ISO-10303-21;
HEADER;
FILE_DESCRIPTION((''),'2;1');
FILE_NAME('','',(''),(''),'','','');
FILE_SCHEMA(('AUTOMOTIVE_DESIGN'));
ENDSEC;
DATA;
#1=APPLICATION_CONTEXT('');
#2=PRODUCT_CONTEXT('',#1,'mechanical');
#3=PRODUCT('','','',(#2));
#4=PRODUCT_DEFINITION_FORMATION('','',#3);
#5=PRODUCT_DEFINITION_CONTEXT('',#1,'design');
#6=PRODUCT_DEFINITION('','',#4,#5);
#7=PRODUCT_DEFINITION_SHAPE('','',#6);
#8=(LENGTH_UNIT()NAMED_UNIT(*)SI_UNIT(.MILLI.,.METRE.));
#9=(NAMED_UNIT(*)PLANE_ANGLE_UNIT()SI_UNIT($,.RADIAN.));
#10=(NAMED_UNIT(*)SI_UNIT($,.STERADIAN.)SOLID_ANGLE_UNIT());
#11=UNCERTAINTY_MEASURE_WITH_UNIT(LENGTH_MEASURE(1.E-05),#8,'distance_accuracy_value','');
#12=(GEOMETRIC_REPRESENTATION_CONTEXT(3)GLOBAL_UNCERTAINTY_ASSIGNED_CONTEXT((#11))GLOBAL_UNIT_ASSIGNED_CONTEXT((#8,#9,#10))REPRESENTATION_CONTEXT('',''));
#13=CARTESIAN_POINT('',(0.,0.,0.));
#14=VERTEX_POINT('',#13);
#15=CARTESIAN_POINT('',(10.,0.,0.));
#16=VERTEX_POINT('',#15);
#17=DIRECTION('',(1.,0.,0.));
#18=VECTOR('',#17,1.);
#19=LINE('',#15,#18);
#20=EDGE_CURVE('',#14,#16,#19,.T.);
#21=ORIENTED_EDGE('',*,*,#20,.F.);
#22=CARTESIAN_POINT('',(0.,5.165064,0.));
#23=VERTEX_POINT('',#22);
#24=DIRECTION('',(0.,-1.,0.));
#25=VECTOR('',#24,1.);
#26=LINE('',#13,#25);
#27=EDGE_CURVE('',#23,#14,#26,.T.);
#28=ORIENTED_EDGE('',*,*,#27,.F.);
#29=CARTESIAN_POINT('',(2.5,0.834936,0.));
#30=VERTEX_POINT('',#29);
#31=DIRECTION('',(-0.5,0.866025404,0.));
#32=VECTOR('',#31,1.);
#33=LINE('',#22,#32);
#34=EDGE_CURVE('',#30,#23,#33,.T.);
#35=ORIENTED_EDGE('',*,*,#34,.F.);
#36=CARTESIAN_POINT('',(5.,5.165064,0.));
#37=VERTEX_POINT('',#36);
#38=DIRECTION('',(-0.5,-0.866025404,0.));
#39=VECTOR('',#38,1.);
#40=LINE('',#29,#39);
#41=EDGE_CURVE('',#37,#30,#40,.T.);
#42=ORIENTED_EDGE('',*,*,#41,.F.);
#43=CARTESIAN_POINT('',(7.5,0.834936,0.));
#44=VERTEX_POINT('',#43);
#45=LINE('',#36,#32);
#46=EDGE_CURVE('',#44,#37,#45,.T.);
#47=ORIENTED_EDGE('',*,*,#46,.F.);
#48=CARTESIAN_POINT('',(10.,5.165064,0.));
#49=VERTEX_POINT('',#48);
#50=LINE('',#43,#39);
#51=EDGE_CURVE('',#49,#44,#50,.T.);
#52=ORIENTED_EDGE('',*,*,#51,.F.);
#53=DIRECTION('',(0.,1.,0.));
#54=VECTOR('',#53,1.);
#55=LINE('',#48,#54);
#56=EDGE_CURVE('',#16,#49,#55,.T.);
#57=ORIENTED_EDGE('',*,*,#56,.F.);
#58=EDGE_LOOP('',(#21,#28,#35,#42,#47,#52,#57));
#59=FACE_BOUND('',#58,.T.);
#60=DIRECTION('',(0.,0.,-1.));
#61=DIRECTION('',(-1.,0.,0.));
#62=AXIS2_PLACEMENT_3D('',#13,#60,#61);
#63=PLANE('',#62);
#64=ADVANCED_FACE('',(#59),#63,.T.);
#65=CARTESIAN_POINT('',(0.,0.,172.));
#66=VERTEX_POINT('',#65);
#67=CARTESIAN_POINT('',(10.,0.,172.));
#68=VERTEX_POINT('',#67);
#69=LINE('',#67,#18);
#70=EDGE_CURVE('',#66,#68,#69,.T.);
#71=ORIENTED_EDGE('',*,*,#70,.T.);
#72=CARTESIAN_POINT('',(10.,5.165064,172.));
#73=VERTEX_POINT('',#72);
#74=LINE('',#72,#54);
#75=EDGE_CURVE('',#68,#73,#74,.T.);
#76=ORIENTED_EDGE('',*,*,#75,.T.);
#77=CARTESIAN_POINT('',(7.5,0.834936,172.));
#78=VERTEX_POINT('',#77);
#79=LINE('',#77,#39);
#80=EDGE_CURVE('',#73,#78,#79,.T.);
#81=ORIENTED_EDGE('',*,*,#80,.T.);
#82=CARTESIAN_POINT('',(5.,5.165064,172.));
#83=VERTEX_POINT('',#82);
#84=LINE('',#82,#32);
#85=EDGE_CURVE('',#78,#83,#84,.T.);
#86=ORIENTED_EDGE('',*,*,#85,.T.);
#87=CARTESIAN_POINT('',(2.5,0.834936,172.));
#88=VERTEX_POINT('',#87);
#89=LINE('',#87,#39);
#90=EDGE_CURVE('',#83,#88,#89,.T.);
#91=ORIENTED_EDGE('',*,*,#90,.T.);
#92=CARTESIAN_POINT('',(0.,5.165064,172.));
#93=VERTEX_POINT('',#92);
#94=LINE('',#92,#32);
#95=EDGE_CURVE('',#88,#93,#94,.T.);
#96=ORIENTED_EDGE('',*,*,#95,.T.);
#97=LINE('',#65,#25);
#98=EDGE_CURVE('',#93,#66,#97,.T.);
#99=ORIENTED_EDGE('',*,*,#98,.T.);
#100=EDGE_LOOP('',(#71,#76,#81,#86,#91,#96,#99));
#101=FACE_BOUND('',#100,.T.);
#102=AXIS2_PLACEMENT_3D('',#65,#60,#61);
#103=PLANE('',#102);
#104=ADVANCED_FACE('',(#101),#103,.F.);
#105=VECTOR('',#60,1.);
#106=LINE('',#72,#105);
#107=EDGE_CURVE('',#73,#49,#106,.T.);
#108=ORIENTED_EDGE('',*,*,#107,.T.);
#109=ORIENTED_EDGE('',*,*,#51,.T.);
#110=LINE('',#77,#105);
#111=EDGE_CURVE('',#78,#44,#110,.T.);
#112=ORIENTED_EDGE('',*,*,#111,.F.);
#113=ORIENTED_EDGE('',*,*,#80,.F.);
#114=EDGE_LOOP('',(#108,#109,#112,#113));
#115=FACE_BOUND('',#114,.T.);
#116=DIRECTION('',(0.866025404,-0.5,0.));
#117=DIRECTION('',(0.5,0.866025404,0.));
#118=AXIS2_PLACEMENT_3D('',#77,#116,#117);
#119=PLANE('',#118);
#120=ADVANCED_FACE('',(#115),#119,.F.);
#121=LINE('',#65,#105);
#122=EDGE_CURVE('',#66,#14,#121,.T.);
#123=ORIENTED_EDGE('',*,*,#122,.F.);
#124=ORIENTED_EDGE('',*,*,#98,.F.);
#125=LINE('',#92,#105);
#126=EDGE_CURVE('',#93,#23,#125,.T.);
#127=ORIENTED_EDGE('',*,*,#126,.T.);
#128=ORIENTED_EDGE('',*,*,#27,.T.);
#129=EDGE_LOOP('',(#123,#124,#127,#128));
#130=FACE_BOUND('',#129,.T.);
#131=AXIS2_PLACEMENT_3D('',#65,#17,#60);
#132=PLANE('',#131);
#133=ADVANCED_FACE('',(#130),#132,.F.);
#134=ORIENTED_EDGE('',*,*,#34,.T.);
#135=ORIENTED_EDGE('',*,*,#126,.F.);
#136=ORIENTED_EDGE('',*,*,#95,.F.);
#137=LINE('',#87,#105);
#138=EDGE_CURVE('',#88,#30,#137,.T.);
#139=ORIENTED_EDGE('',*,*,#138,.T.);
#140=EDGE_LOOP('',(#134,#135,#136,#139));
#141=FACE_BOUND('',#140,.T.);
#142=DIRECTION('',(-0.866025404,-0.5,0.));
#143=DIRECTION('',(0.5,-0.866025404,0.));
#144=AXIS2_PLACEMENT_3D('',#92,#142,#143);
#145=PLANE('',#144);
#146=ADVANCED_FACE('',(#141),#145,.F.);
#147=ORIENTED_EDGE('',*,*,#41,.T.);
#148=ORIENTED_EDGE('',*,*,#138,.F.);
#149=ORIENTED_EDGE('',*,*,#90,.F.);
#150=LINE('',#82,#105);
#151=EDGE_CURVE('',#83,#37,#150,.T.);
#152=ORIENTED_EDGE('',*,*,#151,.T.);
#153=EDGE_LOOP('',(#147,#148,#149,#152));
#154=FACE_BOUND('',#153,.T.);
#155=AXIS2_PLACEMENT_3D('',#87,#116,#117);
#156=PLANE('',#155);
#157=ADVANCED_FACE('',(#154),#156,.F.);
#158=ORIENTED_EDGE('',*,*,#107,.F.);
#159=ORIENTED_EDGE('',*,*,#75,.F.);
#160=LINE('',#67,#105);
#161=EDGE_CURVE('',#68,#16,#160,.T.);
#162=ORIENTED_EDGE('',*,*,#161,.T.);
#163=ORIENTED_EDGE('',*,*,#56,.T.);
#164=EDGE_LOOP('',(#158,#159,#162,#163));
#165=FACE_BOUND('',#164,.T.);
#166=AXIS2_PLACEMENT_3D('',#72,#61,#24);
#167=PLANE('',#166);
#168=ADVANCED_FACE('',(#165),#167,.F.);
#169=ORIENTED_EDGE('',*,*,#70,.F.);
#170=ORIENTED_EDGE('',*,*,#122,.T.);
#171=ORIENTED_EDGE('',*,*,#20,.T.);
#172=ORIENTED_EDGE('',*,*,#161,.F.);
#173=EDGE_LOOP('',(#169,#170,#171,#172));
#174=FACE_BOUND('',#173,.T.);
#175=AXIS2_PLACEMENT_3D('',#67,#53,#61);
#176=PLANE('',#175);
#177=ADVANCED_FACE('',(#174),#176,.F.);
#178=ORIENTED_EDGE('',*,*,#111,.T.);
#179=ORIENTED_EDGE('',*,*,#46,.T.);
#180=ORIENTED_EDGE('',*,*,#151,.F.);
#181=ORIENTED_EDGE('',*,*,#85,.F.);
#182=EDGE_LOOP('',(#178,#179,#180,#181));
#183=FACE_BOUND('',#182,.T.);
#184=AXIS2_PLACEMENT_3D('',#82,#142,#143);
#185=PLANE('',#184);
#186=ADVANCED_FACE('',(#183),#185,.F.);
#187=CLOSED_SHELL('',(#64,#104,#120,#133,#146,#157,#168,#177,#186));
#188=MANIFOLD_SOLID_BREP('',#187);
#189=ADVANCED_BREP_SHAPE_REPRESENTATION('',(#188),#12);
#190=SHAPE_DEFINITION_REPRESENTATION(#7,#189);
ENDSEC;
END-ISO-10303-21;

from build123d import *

# Parameters (mm, degrees)
BOSS_EXTRUDE1_DEPTH = 172


with BuildPart() as part:
    # Sketch1 → Boss-Extrude1 (new body)
    with BuildSketch(Plane.XY):
        Polygon((0, 0), (0, 5.165063509), (2.5, 0.834936491), (5, 5.165063509), (7.5, 0.834936491), (10, 5.165063509), (10, 0), align=None)
    extrude(amount=BOSS_EXTRUDE1_DEPTH)


solid = part.part
